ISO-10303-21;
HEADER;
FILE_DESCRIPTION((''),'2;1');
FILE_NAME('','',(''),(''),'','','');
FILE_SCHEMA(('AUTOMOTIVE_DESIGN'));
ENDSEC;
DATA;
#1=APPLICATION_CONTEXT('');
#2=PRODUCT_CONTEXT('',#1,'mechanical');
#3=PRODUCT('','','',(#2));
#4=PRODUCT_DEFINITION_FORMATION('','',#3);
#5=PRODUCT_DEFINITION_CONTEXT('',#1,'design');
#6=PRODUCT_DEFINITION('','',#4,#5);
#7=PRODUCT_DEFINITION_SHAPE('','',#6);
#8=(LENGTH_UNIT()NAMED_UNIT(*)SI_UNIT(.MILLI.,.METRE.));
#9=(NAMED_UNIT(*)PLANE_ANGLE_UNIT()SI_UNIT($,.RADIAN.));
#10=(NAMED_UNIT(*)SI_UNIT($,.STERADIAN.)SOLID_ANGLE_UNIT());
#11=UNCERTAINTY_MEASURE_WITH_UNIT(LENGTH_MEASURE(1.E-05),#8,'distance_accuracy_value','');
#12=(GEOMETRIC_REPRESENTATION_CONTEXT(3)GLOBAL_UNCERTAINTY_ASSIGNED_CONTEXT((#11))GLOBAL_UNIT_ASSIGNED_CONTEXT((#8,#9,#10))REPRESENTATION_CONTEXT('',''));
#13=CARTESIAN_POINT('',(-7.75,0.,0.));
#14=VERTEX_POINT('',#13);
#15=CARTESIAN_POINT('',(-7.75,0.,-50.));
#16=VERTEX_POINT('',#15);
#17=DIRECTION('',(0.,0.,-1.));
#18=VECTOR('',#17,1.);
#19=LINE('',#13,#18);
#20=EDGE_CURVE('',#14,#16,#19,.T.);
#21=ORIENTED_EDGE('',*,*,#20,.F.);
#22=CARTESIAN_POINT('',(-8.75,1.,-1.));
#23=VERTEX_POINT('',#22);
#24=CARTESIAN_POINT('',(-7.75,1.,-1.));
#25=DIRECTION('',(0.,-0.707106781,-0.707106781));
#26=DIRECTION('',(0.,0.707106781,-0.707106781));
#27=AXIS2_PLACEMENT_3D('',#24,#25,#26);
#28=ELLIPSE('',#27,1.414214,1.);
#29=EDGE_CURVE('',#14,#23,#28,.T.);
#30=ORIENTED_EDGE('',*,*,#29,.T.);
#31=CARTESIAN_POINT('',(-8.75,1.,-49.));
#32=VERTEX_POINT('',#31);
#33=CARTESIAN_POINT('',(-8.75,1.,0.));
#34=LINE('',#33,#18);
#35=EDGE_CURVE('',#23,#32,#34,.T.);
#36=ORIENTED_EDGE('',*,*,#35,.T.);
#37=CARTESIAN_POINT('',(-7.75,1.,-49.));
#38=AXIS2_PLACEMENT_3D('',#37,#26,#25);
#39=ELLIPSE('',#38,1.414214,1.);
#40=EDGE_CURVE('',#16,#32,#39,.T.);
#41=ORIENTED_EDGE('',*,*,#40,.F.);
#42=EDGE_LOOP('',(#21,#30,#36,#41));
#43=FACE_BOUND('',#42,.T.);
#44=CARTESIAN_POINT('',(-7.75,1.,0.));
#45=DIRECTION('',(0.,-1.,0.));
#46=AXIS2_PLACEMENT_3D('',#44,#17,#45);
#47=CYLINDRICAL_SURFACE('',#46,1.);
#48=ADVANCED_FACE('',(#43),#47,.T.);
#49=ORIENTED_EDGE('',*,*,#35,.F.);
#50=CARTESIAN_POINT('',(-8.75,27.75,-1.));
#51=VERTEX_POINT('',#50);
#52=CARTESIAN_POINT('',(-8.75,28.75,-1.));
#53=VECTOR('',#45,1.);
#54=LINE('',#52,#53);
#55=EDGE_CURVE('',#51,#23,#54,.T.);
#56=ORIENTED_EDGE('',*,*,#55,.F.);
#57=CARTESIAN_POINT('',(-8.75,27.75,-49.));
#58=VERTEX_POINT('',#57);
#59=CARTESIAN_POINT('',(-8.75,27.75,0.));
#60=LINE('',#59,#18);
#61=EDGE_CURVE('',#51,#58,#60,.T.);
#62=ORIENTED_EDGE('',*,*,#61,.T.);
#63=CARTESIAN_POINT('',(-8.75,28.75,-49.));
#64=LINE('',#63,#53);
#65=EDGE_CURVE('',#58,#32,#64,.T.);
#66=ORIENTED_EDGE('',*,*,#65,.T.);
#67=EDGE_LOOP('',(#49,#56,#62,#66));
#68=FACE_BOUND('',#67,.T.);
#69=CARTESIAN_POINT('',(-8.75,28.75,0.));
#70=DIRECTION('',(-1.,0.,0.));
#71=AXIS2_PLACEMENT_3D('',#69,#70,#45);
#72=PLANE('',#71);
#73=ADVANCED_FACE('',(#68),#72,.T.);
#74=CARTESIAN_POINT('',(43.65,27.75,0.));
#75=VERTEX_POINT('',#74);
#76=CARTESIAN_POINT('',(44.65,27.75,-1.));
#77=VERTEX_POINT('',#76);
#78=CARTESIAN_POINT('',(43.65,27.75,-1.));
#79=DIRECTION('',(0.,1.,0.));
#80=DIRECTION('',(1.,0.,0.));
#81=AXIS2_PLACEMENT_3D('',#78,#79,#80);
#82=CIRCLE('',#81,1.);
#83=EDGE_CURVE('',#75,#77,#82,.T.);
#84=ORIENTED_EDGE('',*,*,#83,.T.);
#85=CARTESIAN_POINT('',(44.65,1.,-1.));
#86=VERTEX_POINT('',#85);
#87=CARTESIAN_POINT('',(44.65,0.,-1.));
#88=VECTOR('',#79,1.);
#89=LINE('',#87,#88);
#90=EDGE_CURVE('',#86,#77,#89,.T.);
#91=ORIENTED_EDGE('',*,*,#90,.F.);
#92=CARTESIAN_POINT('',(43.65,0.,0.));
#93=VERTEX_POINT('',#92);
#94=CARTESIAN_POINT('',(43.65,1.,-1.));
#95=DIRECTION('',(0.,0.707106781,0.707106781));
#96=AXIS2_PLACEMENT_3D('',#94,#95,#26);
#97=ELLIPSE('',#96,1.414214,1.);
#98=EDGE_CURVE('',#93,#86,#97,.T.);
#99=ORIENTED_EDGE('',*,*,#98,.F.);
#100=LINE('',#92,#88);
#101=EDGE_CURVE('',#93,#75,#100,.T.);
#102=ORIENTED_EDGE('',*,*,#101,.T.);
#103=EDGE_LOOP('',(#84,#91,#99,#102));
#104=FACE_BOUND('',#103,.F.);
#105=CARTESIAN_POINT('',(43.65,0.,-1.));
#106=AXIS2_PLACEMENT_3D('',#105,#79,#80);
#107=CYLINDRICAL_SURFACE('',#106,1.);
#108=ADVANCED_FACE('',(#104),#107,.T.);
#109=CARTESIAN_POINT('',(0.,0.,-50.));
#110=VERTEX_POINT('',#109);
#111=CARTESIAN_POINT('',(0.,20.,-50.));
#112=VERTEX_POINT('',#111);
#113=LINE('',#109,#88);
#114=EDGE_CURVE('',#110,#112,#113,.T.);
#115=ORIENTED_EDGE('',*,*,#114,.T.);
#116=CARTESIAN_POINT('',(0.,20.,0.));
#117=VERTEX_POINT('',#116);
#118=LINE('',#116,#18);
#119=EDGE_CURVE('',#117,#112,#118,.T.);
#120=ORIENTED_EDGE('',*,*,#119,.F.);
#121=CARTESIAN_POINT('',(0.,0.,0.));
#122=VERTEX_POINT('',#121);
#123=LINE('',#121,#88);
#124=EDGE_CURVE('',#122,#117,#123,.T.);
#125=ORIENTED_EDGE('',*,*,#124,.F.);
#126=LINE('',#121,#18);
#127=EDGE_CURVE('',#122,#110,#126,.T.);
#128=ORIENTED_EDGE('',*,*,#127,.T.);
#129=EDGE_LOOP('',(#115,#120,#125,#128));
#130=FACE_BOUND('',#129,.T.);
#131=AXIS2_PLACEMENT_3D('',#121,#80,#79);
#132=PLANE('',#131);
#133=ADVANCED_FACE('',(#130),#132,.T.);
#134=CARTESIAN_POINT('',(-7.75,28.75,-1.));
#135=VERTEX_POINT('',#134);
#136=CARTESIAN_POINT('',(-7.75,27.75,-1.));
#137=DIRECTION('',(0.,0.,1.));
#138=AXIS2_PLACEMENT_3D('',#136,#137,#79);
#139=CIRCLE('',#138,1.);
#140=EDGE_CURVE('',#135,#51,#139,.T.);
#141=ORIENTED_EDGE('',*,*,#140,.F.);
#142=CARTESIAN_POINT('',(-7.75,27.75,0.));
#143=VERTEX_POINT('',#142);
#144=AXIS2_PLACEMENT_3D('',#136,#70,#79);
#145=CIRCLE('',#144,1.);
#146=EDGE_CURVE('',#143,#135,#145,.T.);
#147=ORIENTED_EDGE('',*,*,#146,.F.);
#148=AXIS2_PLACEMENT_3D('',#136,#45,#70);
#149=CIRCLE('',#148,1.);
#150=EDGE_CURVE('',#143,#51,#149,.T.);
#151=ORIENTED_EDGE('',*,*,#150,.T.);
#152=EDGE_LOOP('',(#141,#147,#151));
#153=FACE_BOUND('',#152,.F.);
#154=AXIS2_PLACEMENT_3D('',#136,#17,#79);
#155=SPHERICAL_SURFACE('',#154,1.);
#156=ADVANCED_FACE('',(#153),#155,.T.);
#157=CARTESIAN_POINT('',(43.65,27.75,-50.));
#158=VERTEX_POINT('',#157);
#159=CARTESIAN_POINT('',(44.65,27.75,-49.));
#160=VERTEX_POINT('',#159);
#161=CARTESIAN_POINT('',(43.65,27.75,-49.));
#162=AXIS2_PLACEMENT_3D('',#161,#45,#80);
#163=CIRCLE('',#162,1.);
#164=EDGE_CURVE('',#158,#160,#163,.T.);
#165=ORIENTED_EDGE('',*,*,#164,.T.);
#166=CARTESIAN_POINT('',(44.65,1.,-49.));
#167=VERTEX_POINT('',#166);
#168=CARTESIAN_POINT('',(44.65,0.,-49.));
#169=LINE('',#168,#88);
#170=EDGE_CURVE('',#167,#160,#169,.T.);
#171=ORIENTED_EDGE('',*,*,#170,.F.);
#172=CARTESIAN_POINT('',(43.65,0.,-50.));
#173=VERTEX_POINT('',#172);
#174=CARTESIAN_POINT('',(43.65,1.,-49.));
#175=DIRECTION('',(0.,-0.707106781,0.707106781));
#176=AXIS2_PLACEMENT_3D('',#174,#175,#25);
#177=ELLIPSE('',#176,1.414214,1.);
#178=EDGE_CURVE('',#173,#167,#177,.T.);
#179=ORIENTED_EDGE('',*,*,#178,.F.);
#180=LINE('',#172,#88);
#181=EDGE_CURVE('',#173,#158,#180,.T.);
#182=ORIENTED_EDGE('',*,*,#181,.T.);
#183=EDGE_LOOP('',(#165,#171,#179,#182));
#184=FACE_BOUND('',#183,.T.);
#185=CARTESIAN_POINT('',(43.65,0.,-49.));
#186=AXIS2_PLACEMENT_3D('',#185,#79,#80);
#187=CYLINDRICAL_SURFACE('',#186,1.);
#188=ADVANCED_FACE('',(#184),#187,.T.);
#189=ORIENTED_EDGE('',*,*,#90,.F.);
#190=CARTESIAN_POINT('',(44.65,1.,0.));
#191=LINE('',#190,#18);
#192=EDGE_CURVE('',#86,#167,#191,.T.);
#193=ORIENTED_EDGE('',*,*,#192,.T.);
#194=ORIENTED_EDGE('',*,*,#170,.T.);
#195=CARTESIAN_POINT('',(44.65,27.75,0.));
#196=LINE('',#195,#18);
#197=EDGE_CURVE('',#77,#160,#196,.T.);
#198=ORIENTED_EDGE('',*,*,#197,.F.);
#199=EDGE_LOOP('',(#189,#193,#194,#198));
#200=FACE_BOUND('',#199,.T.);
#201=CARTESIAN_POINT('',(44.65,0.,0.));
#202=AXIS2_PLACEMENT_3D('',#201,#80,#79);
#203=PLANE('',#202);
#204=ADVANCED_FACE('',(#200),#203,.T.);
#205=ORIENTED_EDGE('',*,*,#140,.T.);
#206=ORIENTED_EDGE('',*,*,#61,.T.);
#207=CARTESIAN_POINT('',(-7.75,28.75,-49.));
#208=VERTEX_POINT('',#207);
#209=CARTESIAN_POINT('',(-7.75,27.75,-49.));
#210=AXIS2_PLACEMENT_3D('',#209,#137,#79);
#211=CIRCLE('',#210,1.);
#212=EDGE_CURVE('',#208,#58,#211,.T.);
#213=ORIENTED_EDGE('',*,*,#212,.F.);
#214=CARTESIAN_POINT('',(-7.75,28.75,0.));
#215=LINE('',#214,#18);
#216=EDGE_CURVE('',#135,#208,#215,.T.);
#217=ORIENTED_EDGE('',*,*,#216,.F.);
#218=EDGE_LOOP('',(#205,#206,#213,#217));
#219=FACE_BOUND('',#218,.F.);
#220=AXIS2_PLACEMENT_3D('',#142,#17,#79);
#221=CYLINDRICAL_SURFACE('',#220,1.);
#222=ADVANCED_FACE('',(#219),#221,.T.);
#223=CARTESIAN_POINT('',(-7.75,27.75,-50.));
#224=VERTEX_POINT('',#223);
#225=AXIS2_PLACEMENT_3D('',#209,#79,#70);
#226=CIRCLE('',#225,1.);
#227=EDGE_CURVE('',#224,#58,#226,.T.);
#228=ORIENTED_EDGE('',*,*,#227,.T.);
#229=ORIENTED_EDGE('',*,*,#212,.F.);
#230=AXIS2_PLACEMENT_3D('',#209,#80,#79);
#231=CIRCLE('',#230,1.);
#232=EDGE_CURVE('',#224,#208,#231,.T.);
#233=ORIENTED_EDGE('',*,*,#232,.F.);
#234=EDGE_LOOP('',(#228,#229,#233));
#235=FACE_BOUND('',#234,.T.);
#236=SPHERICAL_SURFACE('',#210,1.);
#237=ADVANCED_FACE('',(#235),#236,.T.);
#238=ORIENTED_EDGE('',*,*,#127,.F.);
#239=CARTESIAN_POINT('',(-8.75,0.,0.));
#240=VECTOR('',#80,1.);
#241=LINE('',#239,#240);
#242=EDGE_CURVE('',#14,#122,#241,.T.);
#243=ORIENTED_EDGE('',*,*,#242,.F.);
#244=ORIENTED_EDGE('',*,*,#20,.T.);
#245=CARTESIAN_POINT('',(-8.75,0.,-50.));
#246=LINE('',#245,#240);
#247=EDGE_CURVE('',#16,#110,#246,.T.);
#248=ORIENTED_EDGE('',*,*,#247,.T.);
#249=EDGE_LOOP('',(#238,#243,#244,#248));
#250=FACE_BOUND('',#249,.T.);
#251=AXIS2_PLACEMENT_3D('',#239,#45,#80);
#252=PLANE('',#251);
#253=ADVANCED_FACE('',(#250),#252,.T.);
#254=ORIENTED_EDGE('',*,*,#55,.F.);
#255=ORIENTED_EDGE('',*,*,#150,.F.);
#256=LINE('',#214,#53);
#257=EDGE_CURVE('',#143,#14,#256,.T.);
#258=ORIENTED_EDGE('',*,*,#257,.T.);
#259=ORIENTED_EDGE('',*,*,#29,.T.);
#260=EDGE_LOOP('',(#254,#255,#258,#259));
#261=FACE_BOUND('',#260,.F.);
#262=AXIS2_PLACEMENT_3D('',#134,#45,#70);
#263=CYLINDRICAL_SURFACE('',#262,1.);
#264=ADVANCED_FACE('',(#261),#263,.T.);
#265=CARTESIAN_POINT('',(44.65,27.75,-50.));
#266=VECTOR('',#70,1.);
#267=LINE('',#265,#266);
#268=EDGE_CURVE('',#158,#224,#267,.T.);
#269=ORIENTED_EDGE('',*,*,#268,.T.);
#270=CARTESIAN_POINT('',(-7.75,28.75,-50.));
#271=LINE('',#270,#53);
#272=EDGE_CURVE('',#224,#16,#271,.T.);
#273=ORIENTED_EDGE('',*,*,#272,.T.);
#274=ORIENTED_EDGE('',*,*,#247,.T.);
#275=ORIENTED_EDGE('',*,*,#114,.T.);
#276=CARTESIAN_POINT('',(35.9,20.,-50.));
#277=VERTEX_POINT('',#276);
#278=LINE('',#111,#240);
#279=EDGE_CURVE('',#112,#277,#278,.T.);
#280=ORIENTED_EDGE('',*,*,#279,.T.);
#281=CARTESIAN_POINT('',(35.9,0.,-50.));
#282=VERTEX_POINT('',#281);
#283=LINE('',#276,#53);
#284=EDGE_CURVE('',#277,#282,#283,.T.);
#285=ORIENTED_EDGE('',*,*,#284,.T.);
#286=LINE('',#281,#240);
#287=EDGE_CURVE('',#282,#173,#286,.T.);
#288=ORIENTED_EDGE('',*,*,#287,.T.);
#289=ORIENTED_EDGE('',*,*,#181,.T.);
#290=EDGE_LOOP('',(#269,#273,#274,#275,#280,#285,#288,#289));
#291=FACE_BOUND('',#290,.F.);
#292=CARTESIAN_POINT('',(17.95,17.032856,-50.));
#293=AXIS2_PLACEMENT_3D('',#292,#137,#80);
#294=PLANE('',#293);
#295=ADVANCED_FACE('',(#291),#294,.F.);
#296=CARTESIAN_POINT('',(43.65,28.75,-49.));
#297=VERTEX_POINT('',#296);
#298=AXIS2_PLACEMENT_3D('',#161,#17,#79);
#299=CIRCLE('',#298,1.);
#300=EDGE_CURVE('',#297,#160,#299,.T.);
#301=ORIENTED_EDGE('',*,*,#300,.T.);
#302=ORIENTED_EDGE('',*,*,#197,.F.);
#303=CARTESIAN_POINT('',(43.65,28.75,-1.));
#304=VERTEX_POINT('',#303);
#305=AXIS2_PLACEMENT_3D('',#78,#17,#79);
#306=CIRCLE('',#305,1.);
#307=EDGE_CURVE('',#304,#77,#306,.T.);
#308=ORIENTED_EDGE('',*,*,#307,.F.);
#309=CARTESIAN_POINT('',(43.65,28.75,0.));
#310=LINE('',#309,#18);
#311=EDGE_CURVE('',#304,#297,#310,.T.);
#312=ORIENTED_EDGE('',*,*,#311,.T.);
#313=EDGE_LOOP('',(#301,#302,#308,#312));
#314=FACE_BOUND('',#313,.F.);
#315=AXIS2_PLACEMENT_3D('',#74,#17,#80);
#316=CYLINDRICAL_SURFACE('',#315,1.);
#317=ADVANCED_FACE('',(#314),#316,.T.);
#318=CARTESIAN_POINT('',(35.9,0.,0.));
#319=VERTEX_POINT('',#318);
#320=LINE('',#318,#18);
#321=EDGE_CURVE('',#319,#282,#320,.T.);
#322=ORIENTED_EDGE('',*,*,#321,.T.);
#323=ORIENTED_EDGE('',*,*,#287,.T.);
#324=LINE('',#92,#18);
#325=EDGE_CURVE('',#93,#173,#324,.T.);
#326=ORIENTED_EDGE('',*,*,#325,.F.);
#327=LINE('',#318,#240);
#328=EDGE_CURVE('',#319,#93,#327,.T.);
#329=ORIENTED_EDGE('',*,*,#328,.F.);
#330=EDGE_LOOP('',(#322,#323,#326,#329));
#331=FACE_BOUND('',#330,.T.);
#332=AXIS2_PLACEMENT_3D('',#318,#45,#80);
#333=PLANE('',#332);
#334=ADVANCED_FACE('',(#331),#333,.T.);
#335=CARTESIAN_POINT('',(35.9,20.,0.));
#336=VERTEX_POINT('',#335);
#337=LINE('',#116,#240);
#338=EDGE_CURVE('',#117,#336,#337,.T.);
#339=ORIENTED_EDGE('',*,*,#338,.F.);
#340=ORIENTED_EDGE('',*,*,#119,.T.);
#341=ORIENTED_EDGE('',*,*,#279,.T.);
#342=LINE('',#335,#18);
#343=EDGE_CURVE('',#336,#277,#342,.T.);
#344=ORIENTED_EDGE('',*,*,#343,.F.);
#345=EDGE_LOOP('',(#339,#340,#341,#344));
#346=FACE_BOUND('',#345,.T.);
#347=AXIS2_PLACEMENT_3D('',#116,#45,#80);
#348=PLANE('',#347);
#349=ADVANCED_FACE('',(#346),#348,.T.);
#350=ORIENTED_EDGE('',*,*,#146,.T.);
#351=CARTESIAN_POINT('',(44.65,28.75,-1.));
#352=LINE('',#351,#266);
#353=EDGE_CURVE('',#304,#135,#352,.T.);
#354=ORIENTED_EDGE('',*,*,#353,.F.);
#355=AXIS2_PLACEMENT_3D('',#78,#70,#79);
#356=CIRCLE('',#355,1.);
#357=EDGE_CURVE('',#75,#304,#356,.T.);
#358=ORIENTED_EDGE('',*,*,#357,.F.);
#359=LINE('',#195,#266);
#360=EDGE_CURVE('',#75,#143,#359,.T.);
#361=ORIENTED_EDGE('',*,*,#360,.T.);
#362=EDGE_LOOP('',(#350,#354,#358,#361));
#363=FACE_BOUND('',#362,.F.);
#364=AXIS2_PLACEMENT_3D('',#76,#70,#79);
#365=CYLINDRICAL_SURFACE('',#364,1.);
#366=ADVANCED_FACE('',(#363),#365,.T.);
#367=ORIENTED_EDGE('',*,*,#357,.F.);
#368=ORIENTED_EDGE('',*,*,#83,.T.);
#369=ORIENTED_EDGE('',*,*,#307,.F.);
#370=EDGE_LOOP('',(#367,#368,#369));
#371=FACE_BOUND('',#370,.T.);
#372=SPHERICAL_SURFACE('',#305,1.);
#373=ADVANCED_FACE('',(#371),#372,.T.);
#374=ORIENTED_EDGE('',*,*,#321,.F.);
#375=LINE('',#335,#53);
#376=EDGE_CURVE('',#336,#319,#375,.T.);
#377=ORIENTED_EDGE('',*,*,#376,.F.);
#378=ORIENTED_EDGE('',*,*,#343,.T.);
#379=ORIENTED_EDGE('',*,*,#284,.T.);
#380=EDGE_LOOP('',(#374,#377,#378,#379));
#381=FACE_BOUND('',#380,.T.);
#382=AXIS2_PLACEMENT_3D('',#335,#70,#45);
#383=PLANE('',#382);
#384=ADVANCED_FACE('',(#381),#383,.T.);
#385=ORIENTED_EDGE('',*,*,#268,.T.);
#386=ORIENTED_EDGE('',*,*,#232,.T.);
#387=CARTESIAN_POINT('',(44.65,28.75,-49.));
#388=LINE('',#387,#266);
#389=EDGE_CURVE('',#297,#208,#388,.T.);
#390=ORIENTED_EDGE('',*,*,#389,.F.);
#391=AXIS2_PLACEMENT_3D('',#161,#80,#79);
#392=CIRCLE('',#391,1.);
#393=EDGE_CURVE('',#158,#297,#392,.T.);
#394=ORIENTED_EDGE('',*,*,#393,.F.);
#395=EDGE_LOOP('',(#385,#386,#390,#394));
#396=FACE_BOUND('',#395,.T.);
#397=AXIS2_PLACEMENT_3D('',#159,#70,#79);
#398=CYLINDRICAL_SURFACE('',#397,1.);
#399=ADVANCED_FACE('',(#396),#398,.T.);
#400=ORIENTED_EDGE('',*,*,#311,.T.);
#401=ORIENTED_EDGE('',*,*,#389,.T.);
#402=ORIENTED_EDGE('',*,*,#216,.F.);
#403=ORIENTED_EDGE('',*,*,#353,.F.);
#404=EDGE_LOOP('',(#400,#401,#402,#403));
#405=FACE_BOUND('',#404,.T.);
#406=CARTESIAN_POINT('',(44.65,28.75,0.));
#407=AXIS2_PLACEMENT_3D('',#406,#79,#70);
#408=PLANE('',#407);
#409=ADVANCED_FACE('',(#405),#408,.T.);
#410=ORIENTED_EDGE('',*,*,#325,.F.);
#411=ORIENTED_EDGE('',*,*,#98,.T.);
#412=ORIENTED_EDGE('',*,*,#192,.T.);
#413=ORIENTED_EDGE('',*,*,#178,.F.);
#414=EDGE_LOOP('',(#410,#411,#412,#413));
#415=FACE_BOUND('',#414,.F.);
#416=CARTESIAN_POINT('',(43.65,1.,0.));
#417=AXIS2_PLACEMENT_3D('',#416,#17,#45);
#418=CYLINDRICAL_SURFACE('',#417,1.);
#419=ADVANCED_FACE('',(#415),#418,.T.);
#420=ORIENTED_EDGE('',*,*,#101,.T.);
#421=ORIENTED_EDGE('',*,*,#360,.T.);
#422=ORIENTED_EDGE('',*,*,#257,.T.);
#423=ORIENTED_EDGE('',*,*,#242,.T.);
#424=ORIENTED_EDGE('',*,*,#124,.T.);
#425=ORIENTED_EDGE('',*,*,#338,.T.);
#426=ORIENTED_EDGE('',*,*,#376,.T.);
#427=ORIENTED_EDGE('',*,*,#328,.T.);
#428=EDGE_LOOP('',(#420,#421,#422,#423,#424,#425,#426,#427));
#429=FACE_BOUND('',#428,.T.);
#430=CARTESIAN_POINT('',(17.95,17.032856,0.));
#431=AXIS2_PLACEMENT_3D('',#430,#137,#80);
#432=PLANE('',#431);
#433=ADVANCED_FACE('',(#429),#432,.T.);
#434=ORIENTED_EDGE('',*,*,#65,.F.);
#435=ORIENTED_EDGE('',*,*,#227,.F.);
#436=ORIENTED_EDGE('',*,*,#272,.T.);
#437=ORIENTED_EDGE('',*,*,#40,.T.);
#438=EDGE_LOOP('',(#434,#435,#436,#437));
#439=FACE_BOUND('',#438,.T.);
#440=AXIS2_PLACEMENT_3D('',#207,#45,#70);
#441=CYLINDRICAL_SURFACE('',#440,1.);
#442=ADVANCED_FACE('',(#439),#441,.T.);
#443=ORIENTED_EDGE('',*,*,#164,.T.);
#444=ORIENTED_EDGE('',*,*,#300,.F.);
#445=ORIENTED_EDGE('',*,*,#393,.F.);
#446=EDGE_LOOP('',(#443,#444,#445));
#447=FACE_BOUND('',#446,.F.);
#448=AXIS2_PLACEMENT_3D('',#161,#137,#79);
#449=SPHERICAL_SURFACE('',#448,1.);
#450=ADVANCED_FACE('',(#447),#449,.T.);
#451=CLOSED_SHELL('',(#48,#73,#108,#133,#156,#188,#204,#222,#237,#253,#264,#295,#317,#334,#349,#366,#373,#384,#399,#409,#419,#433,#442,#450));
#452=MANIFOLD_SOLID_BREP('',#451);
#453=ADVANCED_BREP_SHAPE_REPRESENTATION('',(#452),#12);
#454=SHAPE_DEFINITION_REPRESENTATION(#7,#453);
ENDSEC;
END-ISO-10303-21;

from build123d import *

# Parameters (mm, degrees)
F1_DEPTH = 50
F2_R     = 1


with BuildPart() as f1:
    # F0 (on Top) → F1 (new body)
    with BuildSketch(Plane.XY):
        Polygon((-8.75, 0), (0, 0), (0, 20), (35.9, 20), (35.9, 0), (44.65, 0), (44.65, 28.75), (-8.75, 28.75), align=None)
    extrude(amount=-F1_DEPTH)

    # F2
    f2_edges = [f1.edges().sort_by_distance(p)[0] for p in [
        (44.65, 28.75, -25),
        (-8.75, 28.75, -25),
        (17.95, 28.75, 0),
        (17.95, 28.75, -50),
        (-8.75, 0, -25),
        (-8.75, 14.375, 0),
        (-8.75, 14.375, -50),
        (44.65, 0, -25),
        (44.65, 14.375, 0),
        (44.65, 14.375, -50),
    ]]
    fillet(f2_edges, radius=F2_R)


solid = f1.part
